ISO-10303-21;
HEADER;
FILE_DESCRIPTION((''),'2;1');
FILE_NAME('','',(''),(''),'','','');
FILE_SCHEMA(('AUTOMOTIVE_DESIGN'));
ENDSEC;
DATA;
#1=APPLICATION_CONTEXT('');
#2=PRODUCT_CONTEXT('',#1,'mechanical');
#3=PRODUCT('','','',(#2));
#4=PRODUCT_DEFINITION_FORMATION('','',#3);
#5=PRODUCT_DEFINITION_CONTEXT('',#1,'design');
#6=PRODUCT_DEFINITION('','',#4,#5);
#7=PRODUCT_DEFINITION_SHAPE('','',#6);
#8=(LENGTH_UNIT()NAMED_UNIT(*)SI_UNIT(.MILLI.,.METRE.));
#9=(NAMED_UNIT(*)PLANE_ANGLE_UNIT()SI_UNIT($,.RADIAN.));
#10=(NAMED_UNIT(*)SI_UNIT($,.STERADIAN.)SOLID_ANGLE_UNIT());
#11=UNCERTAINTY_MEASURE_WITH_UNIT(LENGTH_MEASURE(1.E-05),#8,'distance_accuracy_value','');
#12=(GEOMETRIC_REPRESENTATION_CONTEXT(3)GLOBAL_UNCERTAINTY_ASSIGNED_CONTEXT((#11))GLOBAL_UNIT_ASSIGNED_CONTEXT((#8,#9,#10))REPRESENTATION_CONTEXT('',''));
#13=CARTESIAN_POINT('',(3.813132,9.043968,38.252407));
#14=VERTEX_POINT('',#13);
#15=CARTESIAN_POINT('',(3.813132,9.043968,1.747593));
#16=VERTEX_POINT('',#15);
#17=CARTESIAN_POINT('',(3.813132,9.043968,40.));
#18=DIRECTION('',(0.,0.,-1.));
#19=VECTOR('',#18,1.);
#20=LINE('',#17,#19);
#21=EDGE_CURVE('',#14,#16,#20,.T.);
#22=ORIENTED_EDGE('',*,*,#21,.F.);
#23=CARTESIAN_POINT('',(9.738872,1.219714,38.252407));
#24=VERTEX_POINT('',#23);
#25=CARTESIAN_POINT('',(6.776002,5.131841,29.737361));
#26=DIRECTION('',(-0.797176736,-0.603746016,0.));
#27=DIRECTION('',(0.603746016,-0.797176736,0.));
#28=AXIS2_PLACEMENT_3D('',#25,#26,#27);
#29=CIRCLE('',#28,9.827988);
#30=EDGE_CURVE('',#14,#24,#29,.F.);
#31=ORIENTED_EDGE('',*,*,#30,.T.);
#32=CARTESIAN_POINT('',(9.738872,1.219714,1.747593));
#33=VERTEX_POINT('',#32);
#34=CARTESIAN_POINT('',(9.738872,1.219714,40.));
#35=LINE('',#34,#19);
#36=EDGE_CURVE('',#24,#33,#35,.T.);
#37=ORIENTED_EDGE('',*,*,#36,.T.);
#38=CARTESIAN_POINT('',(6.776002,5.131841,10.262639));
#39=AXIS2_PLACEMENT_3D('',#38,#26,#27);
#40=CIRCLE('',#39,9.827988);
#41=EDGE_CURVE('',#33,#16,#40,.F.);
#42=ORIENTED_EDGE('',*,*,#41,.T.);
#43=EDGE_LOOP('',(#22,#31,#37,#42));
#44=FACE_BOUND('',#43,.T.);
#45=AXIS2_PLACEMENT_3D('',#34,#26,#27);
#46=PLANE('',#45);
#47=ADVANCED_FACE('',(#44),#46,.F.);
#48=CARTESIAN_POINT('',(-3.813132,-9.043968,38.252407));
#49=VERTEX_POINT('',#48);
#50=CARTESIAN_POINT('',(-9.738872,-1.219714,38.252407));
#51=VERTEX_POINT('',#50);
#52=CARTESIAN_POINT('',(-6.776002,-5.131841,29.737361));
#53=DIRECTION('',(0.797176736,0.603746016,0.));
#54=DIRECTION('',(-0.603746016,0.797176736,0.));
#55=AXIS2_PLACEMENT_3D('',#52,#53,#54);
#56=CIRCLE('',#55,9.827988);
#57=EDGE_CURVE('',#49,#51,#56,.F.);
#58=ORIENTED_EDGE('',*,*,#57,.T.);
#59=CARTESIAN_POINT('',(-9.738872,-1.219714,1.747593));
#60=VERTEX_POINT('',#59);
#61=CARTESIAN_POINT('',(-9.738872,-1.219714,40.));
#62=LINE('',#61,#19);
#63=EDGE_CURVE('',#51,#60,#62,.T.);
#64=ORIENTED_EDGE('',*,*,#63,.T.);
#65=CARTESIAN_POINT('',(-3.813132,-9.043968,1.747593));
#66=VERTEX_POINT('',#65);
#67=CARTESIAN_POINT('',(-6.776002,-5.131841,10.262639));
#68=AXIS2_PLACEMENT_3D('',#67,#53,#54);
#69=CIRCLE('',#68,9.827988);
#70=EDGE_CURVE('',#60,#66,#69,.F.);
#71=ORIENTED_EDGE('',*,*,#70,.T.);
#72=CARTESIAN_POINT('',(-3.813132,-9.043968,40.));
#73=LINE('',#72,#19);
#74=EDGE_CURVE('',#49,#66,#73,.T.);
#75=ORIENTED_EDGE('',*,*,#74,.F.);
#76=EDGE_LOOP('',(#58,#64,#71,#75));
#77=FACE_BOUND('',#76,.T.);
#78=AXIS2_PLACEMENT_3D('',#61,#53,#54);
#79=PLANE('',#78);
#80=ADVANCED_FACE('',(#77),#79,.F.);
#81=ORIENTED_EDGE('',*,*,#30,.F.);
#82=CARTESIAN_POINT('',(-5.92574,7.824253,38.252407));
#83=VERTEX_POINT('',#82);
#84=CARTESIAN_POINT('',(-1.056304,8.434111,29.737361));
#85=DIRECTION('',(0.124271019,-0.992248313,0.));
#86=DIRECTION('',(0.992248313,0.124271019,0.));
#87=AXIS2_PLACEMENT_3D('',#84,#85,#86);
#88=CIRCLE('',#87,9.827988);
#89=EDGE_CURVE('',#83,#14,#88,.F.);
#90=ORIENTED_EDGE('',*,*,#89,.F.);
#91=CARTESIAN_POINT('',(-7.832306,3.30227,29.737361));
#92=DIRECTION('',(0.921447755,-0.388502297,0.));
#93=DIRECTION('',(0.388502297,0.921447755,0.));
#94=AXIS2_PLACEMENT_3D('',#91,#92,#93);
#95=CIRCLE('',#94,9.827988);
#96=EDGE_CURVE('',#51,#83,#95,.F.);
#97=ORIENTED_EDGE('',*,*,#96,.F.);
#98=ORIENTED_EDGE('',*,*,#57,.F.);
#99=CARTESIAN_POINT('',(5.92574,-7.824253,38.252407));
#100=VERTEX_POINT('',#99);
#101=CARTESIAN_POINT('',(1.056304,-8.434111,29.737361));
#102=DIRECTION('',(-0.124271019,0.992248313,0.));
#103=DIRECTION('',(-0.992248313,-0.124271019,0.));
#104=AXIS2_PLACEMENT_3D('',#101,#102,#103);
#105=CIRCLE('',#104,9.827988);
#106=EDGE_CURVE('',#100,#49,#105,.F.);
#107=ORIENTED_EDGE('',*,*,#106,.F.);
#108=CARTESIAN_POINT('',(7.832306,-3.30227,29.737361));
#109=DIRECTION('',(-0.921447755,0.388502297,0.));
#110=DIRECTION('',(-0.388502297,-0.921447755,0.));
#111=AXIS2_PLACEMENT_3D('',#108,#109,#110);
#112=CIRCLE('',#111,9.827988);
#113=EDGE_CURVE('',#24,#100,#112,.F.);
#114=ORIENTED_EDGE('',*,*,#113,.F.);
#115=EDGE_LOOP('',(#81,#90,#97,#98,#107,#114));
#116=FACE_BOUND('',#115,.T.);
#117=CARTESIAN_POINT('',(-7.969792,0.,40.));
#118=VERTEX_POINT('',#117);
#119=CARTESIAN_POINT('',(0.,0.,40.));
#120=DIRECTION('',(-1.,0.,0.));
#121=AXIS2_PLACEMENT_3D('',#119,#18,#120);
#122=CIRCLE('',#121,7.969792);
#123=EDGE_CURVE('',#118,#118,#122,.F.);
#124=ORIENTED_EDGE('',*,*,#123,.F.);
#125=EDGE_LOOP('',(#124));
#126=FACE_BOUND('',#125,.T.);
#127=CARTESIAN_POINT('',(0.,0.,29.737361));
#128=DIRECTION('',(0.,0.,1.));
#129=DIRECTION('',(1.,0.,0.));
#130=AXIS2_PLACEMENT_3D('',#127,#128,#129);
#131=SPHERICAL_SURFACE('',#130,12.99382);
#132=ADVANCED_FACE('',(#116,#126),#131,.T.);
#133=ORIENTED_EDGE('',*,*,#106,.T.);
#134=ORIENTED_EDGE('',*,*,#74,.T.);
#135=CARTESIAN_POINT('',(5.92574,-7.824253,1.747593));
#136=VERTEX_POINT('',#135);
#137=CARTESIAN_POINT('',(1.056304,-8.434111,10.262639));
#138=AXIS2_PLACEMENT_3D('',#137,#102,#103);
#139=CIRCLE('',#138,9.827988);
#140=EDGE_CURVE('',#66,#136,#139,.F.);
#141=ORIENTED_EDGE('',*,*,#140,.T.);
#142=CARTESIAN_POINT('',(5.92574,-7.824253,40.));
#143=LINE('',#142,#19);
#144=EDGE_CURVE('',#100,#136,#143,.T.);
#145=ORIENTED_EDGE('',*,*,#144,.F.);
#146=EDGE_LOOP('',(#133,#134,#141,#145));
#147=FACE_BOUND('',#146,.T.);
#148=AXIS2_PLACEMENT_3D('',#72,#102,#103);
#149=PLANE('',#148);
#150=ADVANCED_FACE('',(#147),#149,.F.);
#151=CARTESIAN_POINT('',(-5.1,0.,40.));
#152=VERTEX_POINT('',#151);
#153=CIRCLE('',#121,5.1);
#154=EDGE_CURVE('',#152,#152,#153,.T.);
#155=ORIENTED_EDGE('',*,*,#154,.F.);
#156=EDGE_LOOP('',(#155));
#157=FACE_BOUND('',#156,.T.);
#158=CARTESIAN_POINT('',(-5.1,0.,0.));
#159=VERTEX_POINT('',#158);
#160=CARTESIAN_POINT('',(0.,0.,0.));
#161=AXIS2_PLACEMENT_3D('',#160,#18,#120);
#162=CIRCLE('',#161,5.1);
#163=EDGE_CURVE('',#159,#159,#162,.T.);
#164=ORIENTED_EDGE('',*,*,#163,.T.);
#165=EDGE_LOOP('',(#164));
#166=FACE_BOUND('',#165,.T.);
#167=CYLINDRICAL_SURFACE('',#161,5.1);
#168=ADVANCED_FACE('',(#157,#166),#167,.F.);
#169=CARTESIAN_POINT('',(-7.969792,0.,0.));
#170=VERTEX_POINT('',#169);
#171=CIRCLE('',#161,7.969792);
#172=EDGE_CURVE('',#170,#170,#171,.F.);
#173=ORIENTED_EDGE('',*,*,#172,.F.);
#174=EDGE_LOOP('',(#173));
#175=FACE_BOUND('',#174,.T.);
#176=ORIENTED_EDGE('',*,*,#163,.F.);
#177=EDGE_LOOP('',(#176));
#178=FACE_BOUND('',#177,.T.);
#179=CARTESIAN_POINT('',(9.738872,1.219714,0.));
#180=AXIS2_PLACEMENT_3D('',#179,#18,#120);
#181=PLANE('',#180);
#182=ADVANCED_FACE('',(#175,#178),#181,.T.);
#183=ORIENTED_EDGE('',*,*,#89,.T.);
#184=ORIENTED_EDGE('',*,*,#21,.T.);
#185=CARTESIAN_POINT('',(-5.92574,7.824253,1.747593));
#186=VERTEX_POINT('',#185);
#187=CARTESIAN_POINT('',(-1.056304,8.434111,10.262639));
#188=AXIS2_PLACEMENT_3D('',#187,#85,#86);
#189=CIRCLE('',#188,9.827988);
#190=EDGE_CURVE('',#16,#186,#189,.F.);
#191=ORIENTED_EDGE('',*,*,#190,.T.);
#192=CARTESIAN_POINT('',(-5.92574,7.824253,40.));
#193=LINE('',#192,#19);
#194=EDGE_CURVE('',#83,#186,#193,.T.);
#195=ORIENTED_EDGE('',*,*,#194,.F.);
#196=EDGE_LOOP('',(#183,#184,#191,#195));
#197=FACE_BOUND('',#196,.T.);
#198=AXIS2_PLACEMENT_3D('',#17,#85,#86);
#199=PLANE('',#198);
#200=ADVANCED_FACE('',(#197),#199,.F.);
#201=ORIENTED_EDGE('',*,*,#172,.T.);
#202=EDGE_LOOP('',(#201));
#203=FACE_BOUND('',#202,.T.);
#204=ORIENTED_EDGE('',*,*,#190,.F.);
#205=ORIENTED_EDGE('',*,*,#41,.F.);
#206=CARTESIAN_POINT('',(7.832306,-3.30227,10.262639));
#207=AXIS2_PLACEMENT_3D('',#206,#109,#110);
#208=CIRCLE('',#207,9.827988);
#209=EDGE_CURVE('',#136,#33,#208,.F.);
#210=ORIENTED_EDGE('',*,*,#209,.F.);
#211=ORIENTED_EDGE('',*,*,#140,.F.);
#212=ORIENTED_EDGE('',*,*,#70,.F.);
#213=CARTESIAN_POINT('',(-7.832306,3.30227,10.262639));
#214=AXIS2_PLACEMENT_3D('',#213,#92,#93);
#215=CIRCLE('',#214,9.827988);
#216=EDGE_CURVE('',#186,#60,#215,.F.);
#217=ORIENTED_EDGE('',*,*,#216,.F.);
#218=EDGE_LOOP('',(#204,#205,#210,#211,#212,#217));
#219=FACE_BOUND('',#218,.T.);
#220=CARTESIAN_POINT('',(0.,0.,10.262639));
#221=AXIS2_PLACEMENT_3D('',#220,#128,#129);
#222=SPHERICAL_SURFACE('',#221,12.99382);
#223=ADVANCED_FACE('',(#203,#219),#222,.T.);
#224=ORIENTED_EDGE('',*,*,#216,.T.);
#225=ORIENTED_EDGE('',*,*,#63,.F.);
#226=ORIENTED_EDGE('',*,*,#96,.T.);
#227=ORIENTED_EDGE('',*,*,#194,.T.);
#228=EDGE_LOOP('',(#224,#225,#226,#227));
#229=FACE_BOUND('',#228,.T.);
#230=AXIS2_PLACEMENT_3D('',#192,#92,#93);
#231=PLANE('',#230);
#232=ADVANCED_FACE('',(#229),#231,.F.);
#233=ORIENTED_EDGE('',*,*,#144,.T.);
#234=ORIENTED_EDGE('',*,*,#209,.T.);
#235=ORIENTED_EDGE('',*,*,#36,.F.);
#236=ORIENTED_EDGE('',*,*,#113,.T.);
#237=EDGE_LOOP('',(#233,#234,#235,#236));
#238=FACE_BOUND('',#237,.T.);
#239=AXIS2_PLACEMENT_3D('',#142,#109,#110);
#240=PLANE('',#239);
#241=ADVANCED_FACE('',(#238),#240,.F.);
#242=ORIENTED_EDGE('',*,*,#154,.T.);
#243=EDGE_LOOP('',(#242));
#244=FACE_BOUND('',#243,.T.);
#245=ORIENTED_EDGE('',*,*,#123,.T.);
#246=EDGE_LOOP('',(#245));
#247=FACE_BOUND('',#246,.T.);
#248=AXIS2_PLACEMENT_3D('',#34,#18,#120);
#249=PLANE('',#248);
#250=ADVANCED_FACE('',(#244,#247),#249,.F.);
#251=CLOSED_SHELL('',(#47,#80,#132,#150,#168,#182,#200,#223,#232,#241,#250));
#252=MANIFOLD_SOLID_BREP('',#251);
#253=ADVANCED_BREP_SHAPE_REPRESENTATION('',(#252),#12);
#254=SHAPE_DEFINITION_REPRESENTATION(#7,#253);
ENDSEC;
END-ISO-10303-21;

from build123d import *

# Parameters (mm, degrees)
EXTRUSION1_DEPTH   = 40
TROU_TARAUD_M121_D = 10.2


with BuildPart() as part:
    # Esquisse1 → Extrusion1 (new body)
    with BuildSketch(Plane.XY):
        Polygon((3.813132395, 9.043967861), (-5.925739721, 7.824253453), (-9.738872116, -1.219714408), (-3.813132395, -9.043967861), (5.925739721, -7.824253453), (9.738872116, 1.219714408), align=None)
    extrude(amount=EXTRUSION1_DEPTH)

    # Trou taraudé M121 (through all)
    with Locations(Plane(origin=(0, 0, 0), x_dir=(-1, 0, 0), z_dir=(0, 0, -1))):
        with Locations((0, 0)):
            Hole(TROU_TARAUD_M121_D / 2)

    # Esquisse5 → Enlèvement de matière-Révolution1 (revolve, cut)
    with BuildSketch(Plane(origin=(0, 0, 0), x_dir=(1, 0, 0), z_dir=(0, 1, 0)), mode=Mode.PRIVATE) as enl_vement_de_mati_re_r_volution1_sk:
        with BuildLine():
            Line((0, 7.38932546), (0, 2.731180457))
            ThreePointArc((0, 2.731180457), (9.188017929, -1.07462118), (12.993819567, -10.26263911))
            Line((12.993819567, -10.26263911), (12.993819567, 7.38932546))
            Line((12.993819567, 7.38932546), (0, 7.38932546))
        make_face()
        with BuildLine():
            Line((12.993819567, -47.38932546), (12.993819567, -29.73736089))
            ThreePointArc((12.993819567, -29.73736089), (9.188017929, -38.92537882), (0, -42.731180457))
            Line((0, -42.731180457), (0, -47.38932546))
            Line((0, -47.38932546), (12.993819567, -47.38932546))
        make_face()
    revolve(enl_vement_de_mati_re_r_volution1_sk.sketch.rotate(Axis((0, 0, 10.26263911), (0, 0, -1)), 352.861339984), axis=Axis((0, 0, 10.26263911), (0, 0, -1)), mode=Mode.SUBTRACT)


solid = part.part
